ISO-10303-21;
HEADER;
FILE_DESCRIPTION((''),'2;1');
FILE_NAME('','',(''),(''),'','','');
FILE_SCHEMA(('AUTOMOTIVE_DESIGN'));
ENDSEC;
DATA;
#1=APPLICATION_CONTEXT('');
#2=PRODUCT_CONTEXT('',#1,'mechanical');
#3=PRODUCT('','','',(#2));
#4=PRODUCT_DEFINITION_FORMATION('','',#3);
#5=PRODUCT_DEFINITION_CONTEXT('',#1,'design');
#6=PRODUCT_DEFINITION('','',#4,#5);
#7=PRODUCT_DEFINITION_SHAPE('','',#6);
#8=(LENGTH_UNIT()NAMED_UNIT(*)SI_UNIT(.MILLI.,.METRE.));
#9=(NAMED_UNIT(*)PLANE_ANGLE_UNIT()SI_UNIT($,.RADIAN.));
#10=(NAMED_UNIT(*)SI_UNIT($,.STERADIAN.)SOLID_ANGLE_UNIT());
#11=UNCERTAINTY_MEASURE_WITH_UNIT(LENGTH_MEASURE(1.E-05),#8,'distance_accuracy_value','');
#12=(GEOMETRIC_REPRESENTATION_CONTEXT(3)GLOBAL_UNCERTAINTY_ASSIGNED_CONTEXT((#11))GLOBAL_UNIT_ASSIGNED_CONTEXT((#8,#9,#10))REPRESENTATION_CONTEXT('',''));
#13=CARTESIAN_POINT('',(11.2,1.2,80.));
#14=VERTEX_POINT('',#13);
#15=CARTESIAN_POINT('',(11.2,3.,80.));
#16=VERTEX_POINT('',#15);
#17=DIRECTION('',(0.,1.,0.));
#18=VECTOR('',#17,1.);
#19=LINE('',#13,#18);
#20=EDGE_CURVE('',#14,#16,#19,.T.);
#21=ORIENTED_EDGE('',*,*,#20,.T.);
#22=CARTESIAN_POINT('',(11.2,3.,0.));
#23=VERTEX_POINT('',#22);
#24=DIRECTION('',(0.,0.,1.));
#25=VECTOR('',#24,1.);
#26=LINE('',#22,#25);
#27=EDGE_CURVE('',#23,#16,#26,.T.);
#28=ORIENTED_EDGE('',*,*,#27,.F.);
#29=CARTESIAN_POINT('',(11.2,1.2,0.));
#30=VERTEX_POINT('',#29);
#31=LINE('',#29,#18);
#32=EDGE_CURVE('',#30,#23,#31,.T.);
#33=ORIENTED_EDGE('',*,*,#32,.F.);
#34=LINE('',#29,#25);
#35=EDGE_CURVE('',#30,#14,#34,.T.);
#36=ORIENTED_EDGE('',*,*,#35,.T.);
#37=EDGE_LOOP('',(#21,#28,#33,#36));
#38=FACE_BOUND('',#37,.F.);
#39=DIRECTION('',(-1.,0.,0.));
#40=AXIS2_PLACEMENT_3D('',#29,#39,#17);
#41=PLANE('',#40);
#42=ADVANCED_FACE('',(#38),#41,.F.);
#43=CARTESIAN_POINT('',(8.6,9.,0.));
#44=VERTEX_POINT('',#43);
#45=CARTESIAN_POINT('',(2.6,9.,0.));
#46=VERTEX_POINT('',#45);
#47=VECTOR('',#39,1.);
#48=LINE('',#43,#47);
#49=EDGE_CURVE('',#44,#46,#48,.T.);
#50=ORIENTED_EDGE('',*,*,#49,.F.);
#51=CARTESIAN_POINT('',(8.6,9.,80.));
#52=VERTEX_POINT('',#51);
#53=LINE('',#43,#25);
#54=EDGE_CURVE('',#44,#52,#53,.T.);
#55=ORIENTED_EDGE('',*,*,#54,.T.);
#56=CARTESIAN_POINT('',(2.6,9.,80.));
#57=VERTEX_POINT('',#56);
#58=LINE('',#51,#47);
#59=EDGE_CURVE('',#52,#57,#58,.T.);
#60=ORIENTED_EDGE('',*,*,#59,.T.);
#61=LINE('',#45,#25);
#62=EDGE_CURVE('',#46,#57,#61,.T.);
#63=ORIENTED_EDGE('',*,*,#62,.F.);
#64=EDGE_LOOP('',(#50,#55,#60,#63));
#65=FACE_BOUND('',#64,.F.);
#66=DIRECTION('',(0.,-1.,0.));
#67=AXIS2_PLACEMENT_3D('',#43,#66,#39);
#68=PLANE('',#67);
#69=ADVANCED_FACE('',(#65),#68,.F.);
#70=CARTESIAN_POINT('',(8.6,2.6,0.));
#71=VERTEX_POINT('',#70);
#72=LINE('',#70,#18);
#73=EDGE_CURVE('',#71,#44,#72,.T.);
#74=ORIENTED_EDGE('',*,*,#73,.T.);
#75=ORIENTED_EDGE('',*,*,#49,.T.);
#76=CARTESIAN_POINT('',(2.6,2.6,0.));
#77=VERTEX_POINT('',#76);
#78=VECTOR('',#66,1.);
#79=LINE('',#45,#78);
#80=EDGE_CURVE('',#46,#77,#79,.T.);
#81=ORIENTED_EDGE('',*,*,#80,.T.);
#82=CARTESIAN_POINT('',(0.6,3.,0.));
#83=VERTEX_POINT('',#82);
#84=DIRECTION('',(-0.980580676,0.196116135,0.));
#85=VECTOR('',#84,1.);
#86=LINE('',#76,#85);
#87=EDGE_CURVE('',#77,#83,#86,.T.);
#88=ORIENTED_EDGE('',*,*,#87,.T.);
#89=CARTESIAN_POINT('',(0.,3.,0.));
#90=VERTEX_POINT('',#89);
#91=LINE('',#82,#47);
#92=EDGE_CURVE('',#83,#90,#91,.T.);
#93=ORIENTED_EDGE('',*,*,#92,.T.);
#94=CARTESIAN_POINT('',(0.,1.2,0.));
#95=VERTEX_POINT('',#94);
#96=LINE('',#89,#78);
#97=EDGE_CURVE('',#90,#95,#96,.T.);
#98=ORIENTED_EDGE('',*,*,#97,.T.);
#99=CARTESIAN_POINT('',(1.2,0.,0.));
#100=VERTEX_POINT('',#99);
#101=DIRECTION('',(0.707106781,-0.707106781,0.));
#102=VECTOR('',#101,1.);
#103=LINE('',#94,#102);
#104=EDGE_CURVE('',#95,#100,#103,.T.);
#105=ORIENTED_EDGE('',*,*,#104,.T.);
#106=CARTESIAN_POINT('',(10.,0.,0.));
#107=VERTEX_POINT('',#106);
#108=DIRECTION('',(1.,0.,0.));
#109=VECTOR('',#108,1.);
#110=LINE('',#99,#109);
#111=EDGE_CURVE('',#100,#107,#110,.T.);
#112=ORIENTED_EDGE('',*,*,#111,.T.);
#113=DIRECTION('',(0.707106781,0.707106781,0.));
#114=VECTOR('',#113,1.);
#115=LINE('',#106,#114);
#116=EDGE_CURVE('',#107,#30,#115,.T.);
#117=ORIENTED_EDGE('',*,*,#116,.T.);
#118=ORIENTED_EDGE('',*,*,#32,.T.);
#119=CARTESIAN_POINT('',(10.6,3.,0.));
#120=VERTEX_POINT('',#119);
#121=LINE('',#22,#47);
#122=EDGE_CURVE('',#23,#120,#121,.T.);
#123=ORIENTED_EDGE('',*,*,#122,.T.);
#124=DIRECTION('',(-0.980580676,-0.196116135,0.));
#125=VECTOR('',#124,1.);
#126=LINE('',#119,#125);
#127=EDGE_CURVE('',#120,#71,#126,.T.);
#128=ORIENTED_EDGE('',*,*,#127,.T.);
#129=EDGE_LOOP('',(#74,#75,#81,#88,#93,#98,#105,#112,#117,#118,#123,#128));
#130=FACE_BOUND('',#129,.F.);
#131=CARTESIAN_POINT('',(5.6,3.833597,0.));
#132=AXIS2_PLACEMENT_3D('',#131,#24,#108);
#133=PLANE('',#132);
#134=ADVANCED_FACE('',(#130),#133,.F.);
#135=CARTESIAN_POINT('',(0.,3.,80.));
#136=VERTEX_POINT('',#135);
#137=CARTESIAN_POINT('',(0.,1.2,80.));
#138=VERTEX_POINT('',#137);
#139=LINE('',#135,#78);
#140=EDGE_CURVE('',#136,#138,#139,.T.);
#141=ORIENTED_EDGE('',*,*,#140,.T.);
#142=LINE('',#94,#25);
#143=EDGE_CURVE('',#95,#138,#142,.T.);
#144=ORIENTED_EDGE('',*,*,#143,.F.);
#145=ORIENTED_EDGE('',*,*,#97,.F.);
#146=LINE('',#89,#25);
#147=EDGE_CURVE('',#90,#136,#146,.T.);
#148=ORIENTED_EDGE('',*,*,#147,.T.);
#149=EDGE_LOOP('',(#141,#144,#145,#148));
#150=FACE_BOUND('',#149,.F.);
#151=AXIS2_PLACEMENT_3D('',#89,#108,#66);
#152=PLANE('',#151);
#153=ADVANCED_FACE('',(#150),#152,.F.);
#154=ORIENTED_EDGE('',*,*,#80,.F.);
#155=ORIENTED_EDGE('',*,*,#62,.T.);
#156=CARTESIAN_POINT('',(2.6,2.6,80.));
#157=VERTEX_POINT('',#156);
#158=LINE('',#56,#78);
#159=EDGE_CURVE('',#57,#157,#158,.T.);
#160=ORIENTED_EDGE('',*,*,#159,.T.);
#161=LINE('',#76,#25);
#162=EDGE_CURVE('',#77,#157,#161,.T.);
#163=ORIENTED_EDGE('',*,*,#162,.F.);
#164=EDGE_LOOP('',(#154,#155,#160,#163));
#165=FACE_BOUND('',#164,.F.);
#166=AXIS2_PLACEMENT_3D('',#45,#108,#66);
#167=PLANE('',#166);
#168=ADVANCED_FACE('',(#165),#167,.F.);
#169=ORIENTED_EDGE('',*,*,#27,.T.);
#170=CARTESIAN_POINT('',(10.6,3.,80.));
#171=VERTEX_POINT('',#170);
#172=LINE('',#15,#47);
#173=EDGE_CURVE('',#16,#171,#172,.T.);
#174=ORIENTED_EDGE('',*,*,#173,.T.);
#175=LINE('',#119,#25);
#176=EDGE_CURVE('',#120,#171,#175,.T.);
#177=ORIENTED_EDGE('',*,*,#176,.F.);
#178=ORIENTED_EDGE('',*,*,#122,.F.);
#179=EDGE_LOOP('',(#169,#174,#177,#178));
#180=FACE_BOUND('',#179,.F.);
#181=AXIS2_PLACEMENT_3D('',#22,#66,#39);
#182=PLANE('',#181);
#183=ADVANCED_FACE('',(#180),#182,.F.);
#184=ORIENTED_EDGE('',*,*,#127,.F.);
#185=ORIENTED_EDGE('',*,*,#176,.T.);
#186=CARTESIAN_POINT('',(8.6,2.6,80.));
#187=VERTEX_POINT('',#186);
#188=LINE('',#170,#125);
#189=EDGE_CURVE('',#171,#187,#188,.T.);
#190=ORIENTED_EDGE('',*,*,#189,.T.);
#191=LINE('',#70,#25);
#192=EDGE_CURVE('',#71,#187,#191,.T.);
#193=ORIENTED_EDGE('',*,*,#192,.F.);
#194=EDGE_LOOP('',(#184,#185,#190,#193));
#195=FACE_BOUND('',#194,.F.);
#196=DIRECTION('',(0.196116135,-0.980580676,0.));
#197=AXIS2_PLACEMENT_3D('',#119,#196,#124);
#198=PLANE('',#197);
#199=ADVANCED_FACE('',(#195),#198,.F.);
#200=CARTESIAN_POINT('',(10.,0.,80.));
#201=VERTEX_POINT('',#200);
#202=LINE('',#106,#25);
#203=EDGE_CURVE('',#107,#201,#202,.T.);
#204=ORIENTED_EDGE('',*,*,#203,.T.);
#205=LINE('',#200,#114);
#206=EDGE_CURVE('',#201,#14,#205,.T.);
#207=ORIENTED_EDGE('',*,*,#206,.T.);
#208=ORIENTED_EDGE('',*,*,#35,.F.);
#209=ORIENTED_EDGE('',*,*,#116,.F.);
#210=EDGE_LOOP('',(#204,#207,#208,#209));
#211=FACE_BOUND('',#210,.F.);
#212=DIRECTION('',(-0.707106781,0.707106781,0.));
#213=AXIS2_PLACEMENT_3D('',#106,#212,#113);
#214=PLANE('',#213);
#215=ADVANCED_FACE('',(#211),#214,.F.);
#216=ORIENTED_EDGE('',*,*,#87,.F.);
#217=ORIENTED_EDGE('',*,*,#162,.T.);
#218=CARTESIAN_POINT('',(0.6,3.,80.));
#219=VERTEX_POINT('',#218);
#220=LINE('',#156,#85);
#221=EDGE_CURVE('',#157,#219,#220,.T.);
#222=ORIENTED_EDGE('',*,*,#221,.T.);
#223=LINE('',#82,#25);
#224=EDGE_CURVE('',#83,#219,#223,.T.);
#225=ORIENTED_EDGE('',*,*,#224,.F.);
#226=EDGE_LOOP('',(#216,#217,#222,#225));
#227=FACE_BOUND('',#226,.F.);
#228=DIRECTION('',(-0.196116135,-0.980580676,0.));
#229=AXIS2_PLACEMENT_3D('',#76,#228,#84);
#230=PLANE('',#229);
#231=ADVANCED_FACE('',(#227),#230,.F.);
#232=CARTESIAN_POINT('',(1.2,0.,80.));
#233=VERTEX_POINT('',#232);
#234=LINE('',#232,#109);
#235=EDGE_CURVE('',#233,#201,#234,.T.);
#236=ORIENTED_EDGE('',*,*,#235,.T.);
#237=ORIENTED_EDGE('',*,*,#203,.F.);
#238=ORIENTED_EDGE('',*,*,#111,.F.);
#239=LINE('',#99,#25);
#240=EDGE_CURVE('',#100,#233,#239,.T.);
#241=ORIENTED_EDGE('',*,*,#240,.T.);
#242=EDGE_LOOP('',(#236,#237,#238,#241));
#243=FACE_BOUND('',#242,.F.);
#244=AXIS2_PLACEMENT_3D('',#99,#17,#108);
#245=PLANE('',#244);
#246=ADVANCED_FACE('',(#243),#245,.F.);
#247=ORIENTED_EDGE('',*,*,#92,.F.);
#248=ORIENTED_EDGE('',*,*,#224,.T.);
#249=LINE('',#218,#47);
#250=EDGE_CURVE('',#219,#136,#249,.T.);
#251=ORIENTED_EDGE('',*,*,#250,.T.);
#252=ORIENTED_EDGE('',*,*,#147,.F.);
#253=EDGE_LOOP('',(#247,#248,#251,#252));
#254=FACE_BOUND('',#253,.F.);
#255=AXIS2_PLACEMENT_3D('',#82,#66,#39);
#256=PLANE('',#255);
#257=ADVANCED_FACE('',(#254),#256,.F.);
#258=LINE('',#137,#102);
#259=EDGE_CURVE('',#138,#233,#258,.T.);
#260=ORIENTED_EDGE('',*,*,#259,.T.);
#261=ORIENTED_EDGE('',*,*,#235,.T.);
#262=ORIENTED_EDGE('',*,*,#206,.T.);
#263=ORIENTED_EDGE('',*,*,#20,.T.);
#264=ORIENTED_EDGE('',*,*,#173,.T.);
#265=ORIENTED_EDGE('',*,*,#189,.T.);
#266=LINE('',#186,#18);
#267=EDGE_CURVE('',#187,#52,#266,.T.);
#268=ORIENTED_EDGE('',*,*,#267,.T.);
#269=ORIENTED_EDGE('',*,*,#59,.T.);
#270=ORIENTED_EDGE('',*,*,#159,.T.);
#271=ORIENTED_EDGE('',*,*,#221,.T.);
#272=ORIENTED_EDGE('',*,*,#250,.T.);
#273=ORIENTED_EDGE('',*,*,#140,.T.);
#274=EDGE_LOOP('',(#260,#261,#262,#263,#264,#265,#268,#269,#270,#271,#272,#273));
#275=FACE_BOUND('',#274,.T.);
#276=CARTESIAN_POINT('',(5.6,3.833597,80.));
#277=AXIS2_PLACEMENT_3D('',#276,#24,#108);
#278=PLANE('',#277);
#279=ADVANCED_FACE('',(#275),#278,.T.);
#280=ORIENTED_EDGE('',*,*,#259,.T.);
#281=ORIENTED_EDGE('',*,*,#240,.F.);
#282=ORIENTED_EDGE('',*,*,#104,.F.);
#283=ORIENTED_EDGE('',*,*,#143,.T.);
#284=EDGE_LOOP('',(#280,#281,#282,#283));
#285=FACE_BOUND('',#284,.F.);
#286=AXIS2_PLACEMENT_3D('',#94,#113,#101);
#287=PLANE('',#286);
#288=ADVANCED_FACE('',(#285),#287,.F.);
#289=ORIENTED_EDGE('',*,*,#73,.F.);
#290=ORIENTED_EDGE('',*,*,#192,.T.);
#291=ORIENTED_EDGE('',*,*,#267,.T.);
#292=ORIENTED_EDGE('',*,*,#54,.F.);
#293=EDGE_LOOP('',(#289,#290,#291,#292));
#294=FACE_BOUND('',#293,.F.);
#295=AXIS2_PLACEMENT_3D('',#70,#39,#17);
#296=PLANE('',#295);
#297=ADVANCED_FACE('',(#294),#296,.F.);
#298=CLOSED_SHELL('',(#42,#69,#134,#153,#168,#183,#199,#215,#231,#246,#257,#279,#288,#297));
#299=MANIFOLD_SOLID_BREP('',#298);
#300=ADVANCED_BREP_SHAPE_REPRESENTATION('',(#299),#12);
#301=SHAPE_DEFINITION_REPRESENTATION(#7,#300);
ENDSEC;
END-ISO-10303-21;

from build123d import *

# Parameters (mm, degrees)
PAD_DEPTH = 80


with BuildPart() as part:
    # Sketch → Pad (new body)
    with BuildSketch(Plane.XY):
        Polygon((0, 3), (0, 1.2), (1.2, 0), (10, 0), (11.2, 1.2), (11.2, 3), (10.6, 3), (8.6, 2.6), (8.6, 9), (2.6, 9), (2.6, 2.6), (0.6, 3), align=None)
    extrude(amount=PAD_DEPTH)


solid = part.part
